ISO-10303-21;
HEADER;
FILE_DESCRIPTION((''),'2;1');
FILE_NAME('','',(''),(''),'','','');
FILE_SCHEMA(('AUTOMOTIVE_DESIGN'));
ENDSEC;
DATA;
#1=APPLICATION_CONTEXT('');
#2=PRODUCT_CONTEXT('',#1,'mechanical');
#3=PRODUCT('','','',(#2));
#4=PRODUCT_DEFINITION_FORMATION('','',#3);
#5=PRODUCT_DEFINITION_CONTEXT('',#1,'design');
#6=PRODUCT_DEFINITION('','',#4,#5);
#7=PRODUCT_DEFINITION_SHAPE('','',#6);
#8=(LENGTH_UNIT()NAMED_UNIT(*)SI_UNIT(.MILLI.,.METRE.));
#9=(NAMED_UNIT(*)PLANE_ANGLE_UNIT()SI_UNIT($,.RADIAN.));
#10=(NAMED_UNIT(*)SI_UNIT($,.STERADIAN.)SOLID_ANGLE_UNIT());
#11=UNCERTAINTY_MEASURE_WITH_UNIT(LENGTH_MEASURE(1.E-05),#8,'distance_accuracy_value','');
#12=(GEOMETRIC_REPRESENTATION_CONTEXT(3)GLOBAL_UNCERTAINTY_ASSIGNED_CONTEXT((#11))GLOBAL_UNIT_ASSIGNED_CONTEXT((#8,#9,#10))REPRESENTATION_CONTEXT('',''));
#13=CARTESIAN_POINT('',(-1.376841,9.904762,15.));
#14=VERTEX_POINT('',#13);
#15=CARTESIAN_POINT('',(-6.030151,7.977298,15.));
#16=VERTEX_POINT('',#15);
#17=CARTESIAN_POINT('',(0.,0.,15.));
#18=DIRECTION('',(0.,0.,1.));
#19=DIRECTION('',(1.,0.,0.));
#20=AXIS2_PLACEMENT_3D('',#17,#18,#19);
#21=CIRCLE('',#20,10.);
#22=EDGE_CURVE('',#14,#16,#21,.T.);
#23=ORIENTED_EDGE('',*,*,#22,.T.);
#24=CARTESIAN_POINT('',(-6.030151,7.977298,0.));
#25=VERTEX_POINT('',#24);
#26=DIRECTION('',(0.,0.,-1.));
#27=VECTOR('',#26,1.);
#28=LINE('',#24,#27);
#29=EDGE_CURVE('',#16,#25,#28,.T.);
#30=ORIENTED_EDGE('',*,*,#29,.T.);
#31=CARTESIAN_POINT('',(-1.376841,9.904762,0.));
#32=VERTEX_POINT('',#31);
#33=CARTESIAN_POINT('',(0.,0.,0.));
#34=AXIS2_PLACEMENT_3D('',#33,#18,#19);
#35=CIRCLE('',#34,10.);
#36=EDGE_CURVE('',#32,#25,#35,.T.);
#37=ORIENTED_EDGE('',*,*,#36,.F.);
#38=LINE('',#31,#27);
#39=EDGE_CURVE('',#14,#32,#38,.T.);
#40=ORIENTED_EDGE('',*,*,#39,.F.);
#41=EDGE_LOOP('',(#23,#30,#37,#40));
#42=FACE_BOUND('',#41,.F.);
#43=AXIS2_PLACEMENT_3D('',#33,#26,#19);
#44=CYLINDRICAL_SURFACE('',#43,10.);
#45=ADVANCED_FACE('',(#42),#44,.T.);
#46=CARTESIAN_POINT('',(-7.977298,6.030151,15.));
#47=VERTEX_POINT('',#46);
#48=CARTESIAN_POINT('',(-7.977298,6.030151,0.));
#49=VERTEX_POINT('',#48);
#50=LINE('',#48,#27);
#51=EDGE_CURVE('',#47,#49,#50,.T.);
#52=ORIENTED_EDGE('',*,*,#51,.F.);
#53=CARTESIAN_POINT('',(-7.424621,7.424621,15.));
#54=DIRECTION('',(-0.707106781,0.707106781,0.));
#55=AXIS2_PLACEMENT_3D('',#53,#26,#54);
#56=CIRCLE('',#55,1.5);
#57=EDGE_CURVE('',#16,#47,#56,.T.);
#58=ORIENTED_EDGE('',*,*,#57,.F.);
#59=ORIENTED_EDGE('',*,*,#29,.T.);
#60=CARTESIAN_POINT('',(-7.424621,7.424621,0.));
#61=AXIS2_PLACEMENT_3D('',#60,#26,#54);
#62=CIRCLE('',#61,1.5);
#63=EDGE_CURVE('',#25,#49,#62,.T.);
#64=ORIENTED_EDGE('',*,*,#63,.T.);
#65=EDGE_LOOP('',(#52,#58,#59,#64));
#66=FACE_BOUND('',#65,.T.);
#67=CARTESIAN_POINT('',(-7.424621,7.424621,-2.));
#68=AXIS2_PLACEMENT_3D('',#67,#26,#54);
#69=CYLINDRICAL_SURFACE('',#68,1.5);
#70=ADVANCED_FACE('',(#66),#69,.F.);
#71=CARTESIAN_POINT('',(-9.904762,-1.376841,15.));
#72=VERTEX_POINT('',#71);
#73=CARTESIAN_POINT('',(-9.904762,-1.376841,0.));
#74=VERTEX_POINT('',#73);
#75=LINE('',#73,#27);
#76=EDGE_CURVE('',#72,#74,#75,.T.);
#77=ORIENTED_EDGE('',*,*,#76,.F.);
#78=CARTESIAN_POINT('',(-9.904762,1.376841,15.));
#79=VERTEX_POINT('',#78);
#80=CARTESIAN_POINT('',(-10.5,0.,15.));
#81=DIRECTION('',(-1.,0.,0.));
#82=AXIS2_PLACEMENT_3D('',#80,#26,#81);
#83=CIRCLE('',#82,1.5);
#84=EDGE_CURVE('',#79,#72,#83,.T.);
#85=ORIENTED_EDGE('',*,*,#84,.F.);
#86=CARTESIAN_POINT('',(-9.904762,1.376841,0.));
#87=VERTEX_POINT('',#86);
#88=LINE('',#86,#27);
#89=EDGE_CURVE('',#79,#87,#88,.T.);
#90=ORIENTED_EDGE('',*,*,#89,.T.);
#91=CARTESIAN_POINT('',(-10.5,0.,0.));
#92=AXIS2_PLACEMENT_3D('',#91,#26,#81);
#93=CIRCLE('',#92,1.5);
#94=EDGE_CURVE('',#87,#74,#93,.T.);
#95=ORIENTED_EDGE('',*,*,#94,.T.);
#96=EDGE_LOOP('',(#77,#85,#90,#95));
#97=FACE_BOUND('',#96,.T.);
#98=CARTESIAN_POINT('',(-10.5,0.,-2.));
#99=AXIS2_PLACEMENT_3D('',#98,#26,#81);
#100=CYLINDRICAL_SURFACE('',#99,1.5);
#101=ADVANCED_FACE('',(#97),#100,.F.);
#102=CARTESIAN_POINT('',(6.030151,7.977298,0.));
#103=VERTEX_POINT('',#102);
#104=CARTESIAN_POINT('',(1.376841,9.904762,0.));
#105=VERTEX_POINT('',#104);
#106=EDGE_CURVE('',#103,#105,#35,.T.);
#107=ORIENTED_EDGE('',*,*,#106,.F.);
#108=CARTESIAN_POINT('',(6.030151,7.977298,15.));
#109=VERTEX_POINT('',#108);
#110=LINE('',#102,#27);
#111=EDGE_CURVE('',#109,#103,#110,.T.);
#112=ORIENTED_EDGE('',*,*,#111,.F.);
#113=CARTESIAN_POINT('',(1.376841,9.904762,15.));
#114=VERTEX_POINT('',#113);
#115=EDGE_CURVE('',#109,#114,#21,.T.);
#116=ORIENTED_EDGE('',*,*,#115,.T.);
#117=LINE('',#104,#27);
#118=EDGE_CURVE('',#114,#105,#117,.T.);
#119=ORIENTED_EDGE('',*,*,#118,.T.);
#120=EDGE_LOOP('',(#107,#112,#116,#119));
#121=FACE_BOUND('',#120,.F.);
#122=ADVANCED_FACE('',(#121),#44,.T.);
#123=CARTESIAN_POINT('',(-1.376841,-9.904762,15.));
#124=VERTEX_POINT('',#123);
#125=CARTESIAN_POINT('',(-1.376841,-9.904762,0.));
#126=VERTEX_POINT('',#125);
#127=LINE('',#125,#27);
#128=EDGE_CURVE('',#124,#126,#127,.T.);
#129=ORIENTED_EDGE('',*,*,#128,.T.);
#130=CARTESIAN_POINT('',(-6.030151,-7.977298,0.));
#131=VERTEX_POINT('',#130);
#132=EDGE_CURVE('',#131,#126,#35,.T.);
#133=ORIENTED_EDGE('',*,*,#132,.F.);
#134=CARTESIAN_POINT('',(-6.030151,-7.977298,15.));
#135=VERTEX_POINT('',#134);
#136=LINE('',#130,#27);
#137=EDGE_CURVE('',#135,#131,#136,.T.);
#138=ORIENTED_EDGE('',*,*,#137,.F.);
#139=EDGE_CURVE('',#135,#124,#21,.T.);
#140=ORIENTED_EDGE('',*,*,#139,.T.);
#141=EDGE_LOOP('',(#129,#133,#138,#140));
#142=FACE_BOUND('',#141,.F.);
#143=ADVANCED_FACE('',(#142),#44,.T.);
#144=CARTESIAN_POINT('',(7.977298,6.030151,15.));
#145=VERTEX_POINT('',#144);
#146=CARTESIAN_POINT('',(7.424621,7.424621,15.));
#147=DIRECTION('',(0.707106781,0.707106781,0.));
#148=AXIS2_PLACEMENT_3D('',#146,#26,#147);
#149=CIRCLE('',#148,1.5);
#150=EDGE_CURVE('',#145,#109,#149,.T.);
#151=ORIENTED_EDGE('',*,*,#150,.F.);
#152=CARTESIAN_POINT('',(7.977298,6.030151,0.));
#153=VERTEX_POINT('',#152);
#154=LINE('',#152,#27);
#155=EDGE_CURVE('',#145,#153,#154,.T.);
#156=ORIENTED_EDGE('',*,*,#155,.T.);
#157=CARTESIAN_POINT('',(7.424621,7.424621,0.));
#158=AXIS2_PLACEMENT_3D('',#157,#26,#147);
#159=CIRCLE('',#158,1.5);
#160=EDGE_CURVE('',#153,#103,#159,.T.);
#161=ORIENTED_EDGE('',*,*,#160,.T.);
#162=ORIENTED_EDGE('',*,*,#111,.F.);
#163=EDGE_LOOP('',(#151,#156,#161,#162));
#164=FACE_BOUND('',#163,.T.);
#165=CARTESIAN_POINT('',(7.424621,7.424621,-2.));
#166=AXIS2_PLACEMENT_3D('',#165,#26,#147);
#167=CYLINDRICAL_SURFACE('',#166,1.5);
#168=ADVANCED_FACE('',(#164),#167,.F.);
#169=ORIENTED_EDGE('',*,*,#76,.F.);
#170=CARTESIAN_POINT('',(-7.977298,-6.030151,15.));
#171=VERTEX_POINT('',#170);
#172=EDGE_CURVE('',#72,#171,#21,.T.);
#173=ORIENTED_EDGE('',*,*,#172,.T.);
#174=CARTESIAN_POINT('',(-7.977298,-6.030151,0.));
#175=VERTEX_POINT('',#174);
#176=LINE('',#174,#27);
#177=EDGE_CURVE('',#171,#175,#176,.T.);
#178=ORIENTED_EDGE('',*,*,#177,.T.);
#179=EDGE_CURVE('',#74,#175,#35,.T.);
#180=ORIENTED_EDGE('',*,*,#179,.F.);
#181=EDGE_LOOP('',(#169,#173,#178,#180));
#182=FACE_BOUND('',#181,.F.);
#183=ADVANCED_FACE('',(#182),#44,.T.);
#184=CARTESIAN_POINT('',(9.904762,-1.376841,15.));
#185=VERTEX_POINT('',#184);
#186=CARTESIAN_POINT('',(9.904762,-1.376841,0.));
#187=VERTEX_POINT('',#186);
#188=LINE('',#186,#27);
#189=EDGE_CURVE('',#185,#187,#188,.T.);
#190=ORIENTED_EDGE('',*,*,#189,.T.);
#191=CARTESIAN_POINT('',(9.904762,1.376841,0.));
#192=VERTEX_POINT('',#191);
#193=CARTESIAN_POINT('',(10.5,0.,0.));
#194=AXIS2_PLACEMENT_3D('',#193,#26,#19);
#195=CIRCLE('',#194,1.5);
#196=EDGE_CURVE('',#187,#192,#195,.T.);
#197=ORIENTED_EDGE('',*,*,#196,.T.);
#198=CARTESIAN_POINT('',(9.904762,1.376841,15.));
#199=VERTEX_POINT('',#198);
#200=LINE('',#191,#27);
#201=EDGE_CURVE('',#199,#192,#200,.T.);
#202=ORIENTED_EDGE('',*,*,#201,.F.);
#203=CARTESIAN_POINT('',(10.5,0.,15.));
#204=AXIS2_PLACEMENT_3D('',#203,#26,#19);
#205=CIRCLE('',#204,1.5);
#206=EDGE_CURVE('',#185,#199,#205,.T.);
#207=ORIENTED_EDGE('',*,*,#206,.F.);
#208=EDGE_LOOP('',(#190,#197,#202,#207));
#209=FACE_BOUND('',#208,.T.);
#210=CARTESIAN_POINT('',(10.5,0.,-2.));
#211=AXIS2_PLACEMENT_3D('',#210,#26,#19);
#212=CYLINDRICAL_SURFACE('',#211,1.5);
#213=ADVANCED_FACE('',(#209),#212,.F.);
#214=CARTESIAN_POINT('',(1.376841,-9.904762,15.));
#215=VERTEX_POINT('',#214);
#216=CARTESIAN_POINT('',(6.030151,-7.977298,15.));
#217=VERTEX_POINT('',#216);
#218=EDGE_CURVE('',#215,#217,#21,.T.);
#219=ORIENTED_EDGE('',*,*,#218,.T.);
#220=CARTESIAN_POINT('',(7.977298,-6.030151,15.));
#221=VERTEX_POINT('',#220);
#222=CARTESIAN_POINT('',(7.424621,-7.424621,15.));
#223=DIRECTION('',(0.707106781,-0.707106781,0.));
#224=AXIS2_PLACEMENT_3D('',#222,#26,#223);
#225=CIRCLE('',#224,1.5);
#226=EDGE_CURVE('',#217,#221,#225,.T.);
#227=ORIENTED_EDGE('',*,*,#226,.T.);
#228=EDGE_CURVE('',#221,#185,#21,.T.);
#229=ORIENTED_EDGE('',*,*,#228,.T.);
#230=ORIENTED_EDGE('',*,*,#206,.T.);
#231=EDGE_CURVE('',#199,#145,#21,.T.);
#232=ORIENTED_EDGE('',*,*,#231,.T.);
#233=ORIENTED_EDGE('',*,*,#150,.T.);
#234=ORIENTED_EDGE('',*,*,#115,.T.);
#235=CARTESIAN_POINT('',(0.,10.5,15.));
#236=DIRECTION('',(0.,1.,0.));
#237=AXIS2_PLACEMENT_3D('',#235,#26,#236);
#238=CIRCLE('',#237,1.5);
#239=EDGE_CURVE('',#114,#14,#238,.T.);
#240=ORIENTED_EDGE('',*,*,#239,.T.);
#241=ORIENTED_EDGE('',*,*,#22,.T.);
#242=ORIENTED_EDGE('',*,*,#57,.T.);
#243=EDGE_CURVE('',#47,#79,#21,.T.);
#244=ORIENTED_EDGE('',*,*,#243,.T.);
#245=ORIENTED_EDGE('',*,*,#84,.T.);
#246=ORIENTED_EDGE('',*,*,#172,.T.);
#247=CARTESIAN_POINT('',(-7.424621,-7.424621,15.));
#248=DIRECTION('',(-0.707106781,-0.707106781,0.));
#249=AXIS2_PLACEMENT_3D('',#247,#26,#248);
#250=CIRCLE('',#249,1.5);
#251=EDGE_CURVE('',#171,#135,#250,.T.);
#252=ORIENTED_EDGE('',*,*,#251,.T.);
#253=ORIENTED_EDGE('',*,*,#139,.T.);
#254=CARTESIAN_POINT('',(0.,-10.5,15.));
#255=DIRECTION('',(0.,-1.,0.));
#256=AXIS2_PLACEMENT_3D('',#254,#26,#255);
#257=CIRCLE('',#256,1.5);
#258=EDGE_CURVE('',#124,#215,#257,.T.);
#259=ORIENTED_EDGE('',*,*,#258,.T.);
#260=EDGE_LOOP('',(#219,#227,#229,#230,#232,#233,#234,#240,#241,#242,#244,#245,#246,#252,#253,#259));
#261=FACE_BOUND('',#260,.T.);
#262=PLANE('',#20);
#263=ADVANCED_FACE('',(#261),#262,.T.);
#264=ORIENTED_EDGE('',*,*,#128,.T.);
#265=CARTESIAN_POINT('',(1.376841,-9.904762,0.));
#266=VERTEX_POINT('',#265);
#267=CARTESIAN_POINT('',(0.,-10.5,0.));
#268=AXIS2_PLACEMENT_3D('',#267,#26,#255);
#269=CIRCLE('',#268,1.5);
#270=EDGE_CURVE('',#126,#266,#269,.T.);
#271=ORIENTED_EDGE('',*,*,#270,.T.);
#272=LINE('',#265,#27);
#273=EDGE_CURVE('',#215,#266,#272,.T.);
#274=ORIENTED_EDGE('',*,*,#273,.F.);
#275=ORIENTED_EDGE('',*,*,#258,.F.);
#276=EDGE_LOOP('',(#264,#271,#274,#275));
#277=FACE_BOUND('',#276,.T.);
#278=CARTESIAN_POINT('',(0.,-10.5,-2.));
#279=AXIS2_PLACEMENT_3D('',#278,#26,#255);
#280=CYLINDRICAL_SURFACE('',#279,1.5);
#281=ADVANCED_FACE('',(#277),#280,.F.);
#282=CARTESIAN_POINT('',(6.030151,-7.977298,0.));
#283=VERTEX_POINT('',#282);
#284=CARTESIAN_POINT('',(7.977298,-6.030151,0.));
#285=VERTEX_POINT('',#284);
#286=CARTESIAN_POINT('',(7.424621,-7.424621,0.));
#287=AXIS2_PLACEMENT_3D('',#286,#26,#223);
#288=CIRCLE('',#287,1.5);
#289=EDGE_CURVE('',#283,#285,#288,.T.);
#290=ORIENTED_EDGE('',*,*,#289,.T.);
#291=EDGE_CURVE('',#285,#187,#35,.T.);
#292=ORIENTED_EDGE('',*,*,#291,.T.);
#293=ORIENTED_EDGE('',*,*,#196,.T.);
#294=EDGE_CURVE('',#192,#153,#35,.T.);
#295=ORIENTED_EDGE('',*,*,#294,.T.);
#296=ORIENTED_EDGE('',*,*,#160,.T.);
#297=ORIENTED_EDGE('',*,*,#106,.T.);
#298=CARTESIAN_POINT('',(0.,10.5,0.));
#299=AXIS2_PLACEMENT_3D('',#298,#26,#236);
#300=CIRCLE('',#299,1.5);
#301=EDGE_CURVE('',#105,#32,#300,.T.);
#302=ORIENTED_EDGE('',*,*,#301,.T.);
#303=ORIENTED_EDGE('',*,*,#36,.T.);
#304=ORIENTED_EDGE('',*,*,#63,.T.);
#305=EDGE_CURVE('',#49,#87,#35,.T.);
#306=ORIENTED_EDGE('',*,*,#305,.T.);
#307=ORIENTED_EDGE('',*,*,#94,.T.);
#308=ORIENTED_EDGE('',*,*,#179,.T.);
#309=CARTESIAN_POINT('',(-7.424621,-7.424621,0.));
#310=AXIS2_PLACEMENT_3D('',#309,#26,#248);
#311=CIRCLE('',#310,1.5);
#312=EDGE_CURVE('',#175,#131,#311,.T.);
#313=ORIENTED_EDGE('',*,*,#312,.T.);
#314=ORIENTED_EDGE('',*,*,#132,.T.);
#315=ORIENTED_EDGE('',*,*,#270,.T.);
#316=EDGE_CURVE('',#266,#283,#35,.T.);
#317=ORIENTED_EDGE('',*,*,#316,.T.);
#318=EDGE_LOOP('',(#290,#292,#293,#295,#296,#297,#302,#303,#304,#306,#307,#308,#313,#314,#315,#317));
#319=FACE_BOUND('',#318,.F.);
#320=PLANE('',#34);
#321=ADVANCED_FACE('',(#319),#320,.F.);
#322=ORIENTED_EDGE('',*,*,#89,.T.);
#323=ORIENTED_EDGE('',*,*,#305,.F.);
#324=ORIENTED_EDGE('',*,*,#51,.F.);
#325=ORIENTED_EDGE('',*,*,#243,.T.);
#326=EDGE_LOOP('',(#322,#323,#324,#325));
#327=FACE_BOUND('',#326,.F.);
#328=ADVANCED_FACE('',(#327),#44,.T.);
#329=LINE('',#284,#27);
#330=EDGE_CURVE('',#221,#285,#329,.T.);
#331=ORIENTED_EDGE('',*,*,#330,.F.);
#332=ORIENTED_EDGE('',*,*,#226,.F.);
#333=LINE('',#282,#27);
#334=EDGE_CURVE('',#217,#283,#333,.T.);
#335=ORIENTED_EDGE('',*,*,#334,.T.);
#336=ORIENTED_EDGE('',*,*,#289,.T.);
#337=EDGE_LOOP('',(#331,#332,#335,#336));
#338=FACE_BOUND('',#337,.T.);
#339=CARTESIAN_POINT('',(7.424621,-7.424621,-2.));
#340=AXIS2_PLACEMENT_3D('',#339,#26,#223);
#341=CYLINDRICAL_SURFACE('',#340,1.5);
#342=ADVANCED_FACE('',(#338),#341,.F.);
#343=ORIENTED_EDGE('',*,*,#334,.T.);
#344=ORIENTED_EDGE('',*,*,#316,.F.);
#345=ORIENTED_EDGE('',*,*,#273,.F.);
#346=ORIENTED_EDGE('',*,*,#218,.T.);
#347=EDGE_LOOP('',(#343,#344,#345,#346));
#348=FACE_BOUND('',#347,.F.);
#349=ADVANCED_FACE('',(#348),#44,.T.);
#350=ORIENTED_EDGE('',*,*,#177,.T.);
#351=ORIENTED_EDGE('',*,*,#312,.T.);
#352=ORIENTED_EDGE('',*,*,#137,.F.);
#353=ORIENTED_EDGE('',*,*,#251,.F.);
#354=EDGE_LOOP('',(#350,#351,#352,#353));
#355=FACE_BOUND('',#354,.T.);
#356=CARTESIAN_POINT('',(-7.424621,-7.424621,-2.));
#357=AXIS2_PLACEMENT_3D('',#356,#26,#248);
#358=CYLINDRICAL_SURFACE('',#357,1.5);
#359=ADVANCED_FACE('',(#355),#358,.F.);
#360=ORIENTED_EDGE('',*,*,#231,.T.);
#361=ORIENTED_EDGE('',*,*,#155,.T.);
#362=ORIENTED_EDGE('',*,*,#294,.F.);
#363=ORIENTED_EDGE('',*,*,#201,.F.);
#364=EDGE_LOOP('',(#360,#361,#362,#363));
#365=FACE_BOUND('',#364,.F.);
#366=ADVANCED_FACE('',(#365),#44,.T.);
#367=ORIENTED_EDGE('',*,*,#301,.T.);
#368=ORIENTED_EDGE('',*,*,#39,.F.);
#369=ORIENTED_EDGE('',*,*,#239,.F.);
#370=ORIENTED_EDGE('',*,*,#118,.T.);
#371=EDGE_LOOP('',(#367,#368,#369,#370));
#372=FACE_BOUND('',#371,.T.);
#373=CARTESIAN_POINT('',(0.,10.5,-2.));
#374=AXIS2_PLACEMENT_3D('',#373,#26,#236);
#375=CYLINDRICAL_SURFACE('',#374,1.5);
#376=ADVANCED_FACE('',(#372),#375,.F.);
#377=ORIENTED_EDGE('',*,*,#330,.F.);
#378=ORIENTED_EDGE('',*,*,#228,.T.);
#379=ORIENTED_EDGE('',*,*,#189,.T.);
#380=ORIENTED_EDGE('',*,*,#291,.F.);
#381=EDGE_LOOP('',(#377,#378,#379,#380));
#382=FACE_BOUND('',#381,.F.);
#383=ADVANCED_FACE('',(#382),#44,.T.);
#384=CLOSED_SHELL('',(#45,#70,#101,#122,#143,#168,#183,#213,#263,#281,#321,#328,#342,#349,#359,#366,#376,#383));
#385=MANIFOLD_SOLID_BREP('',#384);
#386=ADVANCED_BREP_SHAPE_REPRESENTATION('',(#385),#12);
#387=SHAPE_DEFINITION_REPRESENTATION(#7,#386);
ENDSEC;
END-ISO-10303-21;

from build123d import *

# Parameters (mm, degrees)
CYLINDER001_R     = 1.5
CYLINDER001_DEPTH = 20
ARRAY_COUNT       = 8
CYLINDER_R        = 10
CYLINDER_DEPTH    = 15


with BuildPart() as array:
    # Cylinder001 → Cylinder001 (new body)
    with BuildSketch(Plane(origin=(10.5, 0, -2), x_dir=(1, 0, 0), z_dir=(0, 0, 1))):
        Circle(CYLINDER001_R)
    extrude(amount=CYLINDER001_DEPTH)

    # Array: Array ×8 about axis
    array_axis = Axis((0, 0, 1), (0, 0, 1))


with BuildPart() as array_1:
    add(array.part)
    for i in range(1, ARRAY_COUNT):
        add(array.part.rotate(array_axis, i * 360 / ARRAY_COUNT))


with BuildPart() as buttom:
    # Cylinder → Cylinder (new body)
    with BuildSketch(Plane.XY):
        Circle(CYLINDER_R)
    extrude(amount=CYLINDER_DEPTH)

    # Cut: cut Array
    add(array_1.part, mode=Mode.SUBTRACT)


solid = buttom.part
